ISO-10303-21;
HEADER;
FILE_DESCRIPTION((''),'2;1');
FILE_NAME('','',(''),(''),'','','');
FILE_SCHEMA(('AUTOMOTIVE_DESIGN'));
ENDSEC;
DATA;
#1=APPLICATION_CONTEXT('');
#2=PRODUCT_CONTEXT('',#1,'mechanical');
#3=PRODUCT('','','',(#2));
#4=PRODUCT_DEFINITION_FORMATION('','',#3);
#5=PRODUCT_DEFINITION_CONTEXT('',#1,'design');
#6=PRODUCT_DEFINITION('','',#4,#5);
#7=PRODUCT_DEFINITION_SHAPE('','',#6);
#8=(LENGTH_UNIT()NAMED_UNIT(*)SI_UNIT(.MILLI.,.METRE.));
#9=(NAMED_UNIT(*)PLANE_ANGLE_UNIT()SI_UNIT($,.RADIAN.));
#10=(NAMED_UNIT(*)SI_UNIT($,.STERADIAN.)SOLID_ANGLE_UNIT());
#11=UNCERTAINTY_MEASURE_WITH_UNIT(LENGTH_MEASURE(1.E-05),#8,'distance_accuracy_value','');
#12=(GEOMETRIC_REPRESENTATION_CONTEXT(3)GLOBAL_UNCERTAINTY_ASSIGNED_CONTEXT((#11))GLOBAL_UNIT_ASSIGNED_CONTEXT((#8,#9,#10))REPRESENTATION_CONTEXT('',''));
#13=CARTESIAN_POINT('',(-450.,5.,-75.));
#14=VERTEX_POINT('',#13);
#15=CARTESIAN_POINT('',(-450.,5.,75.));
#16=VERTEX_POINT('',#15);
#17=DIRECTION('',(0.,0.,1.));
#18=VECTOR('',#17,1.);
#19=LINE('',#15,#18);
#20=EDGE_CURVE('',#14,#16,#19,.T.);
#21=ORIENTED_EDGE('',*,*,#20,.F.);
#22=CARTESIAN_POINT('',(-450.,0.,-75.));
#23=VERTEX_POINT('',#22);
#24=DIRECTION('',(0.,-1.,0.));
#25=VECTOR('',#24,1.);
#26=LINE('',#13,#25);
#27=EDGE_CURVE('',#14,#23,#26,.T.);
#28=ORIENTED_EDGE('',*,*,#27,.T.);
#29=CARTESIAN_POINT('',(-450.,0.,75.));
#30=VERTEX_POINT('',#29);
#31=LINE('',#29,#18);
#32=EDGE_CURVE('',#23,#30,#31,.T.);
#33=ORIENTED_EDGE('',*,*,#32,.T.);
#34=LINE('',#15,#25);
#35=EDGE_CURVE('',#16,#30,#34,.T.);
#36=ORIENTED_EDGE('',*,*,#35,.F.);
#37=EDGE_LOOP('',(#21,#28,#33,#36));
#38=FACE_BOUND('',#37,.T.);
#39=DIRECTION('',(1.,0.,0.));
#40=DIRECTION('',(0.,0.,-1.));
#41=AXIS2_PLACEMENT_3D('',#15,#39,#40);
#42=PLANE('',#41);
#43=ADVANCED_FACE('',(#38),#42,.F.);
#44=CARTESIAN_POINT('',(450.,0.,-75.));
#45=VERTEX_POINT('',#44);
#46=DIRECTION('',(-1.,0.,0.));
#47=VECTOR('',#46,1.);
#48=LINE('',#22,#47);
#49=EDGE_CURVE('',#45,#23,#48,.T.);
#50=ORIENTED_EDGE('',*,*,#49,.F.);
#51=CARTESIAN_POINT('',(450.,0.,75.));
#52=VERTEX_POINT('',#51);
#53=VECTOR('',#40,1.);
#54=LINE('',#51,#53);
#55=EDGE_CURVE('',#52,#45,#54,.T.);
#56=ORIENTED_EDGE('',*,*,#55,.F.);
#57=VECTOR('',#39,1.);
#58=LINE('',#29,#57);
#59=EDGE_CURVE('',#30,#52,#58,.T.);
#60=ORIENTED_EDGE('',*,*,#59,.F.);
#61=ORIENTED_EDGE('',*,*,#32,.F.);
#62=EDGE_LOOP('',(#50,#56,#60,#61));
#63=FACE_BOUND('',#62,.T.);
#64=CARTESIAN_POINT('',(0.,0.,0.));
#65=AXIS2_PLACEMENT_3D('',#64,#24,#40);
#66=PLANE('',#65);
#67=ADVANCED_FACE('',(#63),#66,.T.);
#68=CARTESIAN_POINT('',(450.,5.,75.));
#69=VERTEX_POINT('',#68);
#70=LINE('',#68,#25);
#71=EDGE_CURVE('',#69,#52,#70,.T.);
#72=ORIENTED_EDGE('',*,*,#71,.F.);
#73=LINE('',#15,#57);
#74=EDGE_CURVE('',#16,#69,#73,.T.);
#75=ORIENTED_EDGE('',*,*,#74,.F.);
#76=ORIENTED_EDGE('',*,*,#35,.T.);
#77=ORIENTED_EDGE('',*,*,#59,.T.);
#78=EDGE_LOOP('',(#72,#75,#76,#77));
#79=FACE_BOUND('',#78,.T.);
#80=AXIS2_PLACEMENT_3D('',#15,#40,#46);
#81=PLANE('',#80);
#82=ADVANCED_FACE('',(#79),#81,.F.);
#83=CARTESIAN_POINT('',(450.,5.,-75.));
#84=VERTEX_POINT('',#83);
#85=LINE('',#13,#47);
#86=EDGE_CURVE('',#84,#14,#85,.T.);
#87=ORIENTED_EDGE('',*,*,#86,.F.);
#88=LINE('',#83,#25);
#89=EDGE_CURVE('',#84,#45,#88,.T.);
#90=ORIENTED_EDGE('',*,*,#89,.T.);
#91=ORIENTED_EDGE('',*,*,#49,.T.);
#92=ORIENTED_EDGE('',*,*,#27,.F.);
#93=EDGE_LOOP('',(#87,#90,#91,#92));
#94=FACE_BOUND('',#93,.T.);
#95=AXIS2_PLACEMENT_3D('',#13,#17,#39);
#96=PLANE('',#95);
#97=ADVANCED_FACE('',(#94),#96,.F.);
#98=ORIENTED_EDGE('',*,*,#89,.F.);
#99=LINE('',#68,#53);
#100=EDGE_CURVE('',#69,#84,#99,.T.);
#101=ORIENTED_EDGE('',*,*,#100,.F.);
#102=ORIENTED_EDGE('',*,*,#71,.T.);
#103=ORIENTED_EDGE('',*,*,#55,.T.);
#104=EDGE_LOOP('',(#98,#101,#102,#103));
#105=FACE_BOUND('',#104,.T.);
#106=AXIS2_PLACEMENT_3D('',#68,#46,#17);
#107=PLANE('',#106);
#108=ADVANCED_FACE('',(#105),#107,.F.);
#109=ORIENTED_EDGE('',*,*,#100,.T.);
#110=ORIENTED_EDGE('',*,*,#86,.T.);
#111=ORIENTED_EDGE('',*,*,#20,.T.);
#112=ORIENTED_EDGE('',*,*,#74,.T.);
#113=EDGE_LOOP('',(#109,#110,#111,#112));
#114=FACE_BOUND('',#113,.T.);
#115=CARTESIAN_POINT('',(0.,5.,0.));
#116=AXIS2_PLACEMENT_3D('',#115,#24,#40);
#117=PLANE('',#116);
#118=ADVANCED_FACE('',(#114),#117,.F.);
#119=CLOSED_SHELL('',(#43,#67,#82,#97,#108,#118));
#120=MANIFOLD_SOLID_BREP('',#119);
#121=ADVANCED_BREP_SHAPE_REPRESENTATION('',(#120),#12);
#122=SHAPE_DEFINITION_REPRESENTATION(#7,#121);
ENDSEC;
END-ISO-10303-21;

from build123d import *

# Parameters (mm, degrees)
SKETCH1_W           = 900
SKETCH1_H           = 150
BOSS_EXTRUDE1_DEPTH = 5


with BuildPart() as part:
    # Sketch1 → Boss-Extrude1 (new body)
    with BuildSketch(Plane(origin=(0, 0, 0), x_dir=(1, 0, 0), z_dir=(0, 1, 0))):
        Rectangle(SKETCH1_W, SKETCH1_H)
    extrude(amount=BOSS_EXTRUDE1_DEPTH)


solid = part.part
